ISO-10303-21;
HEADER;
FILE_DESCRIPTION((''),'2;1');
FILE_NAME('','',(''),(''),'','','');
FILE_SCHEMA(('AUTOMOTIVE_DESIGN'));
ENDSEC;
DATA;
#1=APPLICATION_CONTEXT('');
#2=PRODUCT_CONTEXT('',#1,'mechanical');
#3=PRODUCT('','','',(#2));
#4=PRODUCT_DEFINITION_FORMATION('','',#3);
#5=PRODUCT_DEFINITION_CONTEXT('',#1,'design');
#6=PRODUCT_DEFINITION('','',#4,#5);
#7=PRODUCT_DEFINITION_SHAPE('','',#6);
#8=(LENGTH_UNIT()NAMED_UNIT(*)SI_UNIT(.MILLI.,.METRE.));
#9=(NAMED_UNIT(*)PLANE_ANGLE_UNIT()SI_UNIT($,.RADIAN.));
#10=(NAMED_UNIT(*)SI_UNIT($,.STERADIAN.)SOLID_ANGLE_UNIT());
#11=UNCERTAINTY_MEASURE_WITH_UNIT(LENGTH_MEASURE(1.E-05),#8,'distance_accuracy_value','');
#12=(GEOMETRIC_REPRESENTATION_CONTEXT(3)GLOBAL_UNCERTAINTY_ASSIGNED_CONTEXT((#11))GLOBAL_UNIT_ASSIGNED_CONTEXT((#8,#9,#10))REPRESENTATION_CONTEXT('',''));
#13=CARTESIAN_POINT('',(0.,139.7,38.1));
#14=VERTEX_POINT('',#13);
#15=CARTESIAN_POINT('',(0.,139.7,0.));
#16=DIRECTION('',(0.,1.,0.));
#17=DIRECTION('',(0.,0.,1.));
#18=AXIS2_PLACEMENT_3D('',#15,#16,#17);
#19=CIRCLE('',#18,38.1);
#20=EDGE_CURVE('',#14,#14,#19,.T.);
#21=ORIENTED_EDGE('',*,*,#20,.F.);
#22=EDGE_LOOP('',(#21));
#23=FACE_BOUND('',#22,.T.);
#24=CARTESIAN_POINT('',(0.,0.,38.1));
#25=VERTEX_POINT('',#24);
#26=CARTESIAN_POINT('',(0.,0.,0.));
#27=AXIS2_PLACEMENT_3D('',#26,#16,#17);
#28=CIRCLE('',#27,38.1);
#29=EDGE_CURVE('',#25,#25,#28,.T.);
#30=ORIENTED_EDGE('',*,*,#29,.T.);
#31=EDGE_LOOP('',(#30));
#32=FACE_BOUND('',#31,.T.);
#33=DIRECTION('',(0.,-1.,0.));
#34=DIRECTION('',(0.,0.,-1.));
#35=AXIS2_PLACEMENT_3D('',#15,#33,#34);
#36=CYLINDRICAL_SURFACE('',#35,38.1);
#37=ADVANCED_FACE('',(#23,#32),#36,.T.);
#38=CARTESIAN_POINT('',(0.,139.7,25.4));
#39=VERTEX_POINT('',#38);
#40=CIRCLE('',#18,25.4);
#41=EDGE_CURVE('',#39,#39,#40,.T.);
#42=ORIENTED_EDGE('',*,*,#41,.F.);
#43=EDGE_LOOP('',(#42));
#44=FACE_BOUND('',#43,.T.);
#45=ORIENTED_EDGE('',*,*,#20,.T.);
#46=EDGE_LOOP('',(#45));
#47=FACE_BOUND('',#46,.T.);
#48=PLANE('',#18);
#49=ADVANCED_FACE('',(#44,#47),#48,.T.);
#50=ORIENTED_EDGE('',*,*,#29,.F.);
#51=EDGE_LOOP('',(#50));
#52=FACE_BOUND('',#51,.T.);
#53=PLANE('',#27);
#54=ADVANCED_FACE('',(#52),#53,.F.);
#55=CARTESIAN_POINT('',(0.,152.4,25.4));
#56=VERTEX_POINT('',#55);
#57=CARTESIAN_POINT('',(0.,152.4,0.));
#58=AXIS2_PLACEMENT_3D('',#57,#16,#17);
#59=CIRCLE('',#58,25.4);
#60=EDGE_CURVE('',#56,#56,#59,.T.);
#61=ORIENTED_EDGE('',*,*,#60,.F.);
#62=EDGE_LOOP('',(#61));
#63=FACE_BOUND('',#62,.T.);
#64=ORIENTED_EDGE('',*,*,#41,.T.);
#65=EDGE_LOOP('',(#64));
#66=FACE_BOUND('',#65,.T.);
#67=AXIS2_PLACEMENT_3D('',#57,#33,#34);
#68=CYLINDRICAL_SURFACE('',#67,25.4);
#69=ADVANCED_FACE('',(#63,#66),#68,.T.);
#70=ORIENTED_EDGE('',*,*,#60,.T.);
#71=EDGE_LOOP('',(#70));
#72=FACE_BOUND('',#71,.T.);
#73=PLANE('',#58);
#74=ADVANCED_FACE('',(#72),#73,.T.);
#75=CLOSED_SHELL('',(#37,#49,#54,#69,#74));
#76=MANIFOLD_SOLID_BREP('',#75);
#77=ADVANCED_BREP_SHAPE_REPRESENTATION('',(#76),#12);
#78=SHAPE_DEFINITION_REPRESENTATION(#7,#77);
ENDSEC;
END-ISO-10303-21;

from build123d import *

# Parameters (mm, degrees)
SKETCH1_R           = 38.1
BOSS_EXTRUDE5_DEPTH = 139.7
SKETCH3_R           = 25.4
BOSS_EXTRUDE6_DEPTH = 12.7


with BuildPart() as part:
    # Sketch1 → Boss-Extrude5 (new body)
    with BuildSketch(Plane(origin=(0, 0, 0), x_dir=(1, 0, 0), z_dir=(0, 1, 0))):
        Circle(SKETCH1_R)
    extrude(amount=BOSS_EXTRUDE5_DEPTH)

    # Sketch3 → Boss-Extrude6 (add)
    with BuildSketch(Plane(origin=(0, 139.7, 0), x_dir=(1, 0, 0), z_dir=(0, 1, 0))):
        Circle(SKETCH3_R)
    extrude(amount=BOSS_EXTRUDE6_DEPTH)


solid = part.part
